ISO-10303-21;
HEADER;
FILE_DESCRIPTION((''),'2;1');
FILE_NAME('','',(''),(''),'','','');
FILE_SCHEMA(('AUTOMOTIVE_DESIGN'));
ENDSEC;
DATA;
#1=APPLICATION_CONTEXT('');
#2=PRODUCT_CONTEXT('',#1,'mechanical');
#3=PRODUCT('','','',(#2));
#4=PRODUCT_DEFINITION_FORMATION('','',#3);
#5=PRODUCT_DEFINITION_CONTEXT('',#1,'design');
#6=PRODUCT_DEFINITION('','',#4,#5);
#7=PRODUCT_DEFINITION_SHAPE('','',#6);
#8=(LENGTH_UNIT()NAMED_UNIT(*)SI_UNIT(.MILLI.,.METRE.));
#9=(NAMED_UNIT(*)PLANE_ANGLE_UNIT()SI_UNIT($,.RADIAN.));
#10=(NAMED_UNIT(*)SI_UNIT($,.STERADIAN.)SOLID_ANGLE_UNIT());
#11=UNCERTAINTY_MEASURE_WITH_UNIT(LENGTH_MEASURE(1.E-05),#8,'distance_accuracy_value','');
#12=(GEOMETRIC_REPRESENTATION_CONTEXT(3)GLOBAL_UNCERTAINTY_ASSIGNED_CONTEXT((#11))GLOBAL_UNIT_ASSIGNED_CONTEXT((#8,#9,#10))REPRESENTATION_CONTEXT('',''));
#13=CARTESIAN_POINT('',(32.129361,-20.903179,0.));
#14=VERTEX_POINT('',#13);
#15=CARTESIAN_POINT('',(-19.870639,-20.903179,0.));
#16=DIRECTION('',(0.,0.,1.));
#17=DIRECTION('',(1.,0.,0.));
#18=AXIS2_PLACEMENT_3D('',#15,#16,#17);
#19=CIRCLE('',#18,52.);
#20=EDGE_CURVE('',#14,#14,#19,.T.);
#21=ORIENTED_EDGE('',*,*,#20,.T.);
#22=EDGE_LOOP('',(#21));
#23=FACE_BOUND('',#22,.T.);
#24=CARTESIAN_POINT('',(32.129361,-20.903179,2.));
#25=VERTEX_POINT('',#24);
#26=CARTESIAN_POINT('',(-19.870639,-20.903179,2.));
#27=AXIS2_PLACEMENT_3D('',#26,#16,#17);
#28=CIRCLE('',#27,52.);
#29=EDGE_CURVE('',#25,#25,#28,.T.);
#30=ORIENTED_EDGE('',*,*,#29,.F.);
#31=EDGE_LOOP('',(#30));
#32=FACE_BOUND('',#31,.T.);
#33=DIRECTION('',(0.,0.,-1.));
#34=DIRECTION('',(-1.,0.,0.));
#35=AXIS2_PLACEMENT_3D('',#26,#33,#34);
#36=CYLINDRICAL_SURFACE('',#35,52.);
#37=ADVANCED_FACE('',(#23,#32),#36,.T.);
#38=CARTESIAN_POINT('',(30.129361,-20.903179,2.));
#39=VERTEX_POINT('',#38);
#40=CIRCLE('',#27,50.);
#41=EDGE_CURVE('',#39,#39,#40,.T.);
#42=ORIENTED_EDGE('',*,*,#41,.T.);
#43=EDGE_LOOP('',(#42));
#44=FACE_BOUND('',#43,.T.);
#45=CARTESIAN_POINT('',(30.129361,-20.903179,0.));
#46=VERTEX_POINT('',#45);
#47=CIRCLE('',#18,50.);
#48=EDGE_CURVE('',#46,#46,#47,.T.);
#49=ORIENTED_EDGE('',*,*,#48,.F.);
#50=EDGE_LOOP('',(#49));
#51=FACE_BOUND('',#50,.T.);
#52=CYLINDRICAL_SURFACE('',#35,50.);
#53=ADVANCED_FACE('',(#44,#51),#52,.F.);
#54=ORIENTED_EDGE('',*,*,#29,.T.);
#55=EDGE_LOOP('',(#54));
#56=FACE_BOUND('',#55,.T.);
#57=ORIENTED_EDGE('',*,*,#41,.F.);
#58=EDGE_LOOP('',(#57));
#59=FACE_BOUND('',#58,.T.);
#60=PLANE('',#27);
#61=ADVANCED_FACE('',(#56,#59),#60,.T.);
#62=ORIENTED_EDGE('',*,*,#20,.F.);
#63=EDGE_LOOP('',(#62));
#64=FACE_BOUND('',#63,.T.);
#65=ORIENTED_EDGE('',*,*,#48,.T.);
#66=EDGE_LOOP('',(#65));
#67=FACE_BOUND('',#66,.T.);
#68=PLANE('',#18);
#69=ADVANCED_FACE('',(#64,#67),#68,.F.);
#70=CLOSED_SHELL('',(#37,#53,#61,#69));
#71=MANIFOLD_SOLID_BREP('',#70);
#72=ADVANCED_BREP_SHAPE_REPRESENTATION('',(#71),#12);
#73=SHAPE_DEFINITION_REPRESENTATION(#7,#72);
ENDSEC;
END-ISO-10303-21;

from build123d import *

# Parameters (mm, degrees)
SKETCH1_R           = 52
SKETCH1_R_2         = 50
BOSS_EXTRUDE5_DEPTH = 2


with BuildPart() as part:
    # Sketch1 → Boss-Extrude5 (new body)
    with BuildSketch(Plane.XY):
        with Locations((-19.870639263, -20.903178587)):
            Circle(SKETCH1_R)
        with Locations((-19.870639263, -20.903178587)):
            Circle(SKETCH1_R_2, mode=Mode.SUBTRACT)
    extrude(amount=BOSS_EXTRUDE5_DEPTH)


solid = part.part
